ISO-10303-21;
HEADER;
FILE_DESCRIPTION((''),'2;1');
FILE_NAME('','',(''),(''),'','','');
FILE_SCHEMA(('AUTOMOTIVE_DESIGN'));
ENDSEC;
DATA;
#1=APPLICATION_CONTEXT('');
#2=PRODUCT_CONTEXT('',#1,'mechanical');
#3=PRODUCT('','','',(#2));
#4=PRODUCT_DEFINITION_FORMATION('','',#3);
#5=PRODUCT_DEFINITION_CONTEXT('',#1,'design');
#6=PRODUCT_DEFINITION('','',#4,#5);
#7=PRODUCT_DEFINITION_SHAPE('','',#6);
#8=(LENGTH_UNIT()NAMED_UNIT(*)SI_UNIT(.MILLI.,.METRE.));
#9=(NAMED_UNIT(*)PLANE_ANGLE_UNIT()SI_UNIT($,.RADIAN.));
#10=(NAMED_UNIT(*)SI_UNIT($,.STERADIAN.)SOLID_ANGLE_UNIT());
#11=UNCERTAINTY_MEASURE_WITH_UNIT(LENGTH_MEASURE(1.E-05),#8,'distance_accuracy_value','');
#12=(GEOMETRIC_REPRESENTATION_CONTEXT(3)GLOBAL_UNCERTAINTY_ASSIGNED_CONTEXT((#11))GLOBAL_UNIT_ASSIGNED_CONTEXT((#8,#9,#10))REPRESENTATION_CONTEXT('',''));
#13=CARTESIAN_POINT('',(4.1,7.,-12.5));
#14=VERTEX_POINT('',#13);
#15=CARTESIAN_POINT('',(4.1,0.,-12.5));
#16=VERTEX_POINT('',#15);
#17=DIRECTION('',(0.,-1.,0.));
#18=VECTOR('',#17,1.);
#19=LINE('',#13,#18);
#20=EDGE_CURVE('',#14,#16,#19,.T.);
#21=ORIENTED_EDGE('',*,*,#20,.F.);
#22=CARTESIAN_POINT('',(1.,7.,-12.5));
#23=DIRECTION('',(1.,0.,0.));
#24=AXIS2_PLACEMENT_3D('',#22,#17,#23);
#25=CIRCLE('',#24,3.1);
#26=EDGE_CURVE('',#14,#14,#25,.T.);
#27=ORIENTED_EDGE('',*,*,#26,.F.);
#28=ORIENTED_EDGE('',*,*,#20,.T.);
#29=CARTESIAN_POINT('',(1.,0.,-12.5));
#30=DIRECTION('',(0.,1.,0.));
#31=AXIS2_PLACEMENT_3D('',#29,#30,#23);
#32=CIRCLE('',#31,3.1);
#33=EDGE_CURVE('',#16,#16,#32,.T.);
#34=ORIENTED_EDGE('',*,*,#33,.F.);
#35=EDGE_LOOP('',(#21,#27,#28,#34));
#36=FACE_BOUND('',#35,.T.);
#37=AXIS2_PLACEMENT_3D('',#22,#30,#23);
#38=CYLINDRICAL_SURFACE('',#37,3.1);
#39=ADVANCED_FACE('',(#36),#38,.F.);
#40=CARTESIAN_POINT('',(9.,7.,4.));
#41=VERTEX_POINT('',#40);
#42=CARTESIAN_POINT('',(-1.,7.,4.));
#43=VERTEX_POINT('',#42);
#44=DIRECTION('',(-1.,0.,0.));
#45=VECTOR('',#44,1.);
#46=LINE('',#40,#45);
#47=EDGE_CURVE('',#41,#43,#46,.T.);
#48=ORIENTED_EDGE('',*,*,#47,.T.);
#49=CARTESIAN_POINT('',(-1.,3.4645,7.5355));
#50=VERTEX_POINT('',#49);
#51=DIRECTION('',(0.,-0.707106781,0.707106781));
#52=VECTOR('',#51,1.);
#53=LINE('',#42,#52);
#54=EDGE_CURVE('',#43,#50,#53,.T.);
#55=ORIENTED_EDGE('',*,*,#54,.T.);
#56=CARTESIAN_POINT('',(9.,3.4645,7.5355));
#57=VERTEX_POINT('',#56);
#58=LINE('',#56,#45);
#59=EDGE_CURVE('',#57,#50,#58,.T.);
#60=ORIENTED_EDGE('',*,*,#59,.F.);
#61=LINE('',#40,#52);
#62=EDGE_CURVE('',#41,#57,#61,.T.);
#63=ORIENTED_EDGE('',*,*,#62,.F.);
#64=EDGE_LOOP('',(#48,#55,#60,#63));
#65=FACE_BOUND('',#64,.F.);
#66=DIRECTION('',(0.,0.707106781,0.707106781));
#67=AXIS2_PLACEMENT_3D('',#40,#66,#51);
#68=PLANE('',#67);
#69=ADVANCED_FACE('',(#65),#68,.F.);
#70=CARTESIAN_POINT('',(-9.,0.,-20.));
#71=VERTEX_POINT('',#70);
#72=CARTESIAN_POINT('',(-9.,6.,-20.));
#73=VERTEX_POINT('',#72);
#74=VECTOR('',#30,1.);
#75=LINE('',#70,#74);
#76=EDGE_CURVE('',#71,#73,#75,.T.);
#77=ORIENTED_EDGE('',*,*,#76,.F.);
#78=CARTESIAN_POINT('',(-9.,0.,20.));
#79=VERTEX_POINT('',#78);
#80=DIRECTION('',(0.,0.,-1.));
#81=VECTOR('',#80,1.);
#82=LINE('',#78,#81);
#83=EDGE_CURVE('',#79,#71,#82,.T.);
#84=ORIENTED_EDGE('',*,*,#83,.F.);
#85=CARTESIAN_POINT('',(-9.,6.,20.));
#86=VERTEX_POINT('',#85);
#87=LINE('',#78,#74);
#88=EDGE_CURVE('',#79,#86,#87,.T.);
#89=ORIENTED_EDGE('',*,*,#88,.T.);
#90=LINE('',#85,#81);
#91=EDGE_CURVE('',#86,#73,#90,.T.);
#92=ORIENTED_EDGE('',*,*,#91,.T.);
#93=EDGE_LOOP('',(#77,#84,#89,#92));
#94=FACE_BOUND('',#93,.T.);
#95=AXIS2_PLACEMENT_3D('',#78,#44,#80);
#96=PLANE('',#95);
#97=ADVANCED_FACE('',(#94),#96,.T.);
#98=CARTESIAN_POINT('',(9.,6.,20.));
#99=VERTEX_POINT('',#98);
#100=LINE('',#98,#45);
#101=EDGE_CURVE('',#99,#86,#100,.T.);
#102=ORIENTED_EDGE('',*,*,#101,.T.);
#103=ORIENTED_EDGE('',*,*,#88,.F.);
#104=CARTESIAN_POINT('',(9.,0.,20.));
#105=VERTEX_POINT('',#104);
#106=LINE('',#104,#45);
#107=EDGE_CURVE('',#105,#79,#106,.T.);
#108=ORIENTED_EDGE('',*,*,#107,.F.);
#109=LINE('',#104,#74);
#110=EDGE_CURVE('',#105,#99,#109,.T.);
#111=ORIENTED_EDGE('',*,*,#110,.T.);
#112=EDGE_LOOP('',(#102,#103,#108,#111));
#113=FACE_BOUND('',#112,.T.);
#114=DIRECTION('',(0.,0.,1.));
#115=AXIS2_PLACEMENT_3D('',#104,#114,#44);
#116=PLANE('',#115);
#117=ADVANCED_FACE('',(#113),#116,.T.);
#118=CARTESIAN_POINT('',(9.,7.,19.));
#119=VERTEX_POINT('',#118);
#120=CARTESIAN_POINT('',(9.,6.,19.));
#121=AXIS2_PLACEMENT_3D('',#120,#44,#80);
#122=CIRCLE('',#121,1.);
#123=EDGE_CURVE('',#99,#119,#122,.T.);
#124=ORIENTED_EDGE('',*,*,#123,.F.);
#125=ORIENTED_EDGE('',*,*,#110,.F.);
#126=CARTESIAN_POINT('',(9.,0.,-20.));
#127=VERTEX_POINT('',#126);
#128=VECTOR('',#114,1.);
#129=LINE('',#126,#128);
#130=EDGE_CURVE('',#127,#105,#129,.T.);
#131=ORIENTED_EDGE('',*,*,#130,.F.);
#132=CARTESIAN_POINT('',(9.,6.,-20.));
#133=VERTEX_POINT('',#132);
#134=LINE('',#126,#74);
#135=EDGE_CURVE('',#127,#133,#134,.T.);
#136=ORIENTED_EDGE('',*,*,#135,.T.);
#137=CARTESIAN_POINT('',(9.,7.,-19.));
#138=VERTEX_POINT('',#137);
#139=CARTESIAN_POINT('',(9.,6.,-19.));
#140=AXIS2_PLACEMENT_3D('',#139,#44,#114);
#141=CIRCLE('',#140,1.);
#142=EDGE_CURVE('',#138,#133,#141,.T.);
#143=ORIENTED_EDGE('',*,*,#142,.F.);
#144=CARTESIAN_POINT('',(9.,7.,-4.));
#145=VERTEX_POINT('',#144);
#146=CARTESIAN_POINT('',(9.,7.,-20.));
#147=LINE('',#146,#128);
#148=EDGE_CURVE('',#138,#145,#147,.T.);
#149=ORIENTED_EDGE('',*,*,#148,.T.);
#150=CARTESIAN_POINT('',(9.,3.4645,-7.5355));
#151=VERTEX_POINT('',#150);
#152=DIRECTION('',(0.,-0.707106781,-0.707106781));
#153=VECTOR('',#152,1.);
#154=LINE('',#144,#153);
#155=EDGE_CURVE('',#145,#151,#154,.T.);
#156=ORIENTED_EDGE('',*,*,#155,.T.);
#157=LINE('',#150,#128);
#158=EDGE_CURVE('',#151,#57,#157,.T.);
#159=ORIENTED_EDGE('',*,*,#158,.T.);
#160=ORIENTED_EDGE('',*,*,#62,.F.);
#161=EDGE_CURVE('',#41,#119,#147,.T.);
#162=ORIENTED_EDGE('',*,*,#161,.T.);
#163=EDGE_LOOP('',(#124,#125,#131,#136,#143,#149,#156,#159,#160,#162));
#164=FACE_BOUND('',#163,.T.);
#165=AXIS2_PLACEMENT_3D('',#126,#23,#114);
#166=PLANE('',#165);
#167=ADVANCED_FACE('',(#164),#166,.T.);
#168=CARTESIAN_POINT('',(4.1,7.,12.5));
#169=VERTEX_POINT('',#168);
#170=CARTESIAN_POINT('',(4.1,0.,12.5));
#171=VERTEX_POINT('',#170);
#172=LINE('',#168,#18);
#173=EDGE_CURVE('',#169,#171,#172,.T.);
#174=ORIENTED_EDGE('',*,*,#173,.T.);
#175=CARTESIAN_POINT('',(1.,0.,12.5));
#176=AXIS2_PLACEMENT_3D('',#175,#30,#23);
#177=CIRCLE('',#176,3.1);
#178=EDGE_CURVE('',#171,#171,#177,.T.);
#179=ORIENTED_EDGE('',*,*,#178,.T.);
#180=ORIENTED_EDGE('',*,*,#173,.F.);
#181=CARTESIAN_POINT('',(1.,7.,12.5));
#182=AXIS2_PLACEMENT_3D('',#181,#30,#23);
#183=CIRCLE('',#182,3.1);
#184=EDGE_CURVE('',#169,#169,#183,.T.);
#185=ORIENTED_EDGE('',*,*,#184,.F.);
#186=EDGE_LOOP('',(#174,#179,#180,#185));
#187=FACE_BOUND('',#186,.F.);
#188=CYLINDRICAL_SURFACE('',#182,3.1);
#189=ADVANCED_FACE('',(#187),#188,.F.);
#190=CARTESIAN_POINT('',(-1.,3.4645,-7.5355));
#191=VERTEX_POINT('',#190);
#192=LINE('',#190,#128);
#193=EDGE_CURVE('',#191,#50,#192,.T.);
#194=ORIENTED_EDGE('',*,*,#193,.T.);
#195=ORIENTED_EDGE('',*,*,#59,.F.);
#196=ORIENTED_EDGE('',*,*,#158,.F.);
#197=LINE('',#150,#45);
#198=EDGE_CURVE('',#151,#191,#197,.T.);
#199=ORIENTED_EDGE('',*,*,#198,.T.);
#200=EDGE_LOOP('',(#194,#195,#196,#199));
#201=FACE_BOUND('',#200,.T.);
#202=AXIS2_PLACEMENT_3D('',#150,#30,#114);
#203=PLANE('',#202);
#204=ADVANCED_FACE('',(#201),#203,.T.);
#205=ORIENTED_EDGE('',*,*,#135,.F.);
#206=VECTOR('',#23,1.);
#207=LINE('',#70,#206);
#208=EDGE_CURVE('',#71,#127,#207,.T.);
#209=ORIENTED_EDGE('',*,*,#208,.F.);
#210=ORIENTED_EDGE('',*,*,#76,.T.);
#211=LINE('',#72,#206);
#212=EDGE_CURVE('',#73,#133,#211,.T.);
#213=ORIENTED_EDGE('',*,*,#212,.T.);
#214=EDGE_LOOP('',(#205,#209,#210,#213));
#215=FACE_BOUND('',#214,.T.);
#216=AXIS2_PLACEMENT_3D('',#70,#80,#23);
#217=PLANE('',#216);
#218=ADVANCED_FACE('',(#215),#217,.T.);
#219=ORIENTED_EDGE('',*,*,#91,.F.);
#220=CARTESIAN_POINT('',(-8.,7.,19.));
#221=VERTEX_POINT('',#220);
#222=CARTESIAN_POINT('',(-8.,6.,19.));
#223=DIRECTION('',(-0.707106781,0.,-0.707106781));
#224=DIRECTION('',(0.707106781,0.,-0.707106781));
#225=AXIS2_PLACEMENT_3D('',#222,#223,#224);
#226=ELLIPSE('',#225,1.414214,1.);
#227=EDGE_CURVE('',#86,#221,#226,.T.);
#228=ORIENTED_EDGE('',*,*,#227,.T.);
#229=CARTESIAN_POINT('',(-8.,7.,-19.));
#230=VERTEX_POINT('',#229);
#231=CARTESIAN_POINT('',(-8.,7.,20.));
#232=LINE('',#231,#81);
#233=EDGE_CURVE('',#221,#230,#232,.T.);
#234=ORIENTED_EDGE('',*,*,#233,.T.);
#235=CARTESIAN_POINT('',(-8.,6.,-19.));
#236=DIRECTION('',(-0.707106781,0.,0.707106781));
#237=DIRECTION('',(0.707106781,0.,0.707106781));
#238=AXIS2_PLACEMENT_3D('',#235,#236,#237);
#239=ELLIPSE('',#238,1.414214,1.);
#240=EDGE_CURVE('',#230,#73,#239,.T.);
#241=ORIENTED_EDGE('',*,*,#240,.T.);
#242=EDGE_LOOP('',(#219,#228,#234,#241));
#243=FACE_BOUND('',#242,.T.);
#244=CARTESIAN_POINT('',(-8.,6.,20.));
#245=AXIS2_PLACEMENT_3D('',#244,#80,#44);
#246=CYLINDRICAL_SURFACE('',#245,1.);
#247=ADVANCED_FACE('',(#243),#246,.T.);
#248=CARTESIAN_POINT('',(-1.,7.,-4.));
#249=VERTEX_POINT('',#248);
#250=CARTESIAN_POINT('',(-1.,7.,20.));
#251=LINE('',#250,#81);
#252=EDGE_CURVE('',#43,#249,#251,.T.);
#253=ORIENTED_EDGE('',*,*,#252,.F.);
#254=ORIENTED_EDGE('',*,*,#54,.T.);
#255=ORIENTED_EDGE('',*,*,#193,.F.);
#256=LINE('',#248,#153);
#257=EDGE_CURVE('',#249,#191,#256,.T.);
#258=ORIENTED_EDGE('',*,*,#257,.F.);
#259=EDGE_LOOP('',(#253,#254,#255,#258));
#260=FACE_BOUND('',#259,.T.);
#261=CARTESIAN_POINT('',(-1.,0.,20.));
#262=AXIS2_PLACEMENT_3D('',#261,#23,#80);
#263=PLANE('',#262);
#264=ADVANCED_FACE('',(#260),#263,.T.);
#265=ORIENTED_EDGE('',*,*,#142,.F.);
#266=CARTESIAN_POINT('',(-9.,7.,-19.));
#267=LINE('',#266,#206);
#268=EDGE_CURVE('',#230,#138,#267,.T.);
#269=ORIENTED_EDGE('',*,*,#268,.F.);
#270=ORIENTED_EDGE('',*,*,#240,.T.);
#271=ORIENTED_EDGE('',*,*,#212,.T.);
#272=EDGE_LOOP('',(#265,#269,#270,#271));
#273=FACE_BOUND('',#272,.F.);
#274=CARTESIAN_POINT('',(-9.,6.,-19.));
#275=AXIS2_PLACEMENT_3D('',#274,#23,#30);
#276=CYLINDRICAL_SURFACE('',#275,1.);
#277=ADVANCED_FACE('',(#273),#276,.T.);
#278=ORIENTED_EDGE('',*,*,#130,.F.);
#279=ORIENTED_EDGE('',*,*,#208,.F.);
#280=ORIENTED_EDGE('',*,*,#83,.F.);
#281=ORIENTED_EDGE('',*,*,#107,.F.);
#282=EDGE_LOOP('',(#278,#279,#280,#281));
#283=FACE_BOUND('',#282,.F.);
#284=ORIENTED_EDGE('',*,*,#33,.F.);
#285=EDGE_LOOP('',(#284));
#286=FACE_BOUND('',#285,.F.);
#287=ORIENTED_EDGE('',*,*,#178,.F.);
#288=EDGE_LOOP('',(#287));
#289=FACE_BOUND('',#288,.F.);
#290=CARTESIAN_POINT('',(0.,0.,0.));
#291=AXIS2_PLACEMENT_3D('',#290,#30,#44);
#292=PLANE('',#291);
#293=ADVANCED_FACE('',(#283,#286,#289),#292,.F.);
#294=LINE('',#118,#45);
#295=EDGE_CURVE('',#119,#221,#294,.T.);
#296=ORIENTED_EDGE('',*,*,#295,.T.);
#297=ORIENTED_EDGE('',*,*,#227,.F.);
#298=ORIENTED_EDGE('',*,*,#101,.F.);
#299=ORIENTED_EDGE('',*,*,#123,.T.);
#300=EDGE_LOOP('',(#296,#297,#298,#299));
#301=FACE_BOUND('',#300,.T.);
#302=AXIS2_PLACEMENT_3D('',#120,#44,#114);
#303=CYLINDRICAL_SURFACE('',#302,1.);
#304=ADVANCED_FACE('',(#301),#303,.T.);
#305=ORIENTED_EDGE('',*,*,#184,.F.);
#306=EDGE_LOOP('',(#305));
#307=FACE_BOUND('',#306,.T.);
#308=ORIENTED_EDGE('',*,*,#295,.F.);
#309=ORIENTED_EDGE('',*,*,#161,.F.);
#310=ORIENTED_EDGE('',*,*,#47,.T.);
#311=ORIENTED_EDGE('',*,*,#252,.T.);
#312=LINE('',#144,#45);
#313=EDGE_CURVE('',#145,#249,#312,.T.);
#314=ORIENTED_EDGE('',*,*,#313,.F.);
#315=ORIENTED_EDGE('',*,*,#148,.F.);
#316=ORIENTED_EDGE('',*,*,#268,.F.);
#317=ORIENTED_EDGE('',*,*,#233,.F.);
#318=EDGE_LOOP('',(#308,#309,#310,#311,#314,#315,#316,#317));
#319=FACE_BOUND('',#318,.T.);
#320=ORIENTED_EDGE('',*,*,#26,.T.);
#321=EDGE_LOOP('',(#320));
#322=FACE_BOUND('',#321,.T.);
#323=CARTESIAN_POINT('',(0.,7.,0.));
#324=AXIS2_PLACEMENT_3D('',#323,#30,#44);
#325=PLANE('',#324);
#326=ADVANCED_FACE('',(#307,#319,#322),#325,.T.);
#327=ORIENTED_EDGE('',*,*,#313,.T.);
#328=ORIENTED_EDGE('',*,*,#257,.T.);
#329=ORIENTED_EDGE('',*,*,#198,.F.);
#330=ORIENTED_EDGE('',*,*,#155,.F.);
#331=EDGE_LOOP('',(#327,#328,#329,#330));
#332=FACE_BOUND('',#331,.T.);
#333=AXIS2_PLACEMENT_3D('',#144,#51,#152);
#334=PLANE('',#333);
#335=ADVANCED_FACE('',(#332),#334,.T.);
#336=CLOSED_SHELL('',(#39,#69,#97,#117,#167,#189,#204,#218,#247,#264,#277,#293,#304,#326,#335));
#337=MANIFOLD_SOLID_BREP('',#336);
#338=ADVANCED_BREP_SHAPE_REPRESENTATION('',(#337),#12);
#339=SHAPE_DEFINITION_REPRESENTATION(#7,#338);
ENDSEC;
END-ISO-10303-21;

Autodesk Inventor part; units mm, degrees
ref_plane "YZ Plane" through (0, 0, 0) normal (1, 0, 0) x (0, 1, 0)
ref_plane "XZ Plane" through (0, 0, 0) normal (0, 1, 0) x (-1, 0, 0)
ref_plane "XY Plane" through (0, 0, 0) normal (0, 0, 1) x (1, 0, 0)
sketch "Sketch1" plane through (0, 0, 0) normal (0, 1, 0) x (-1, 0, 0)
  line L0 (-9, 20) -> (9, 20)
  line L1 (9, 20) -> (9, -20)
  line L2 (9, -20) -> (-9, -20)
  line L3 (-9, -20) -> (-9, 20)
  line L4 (-9, 20) -> (9, -20) construction
  line L5 (9, 20) -> (-9, -20) construction
  point P0 (0, 0)
  dimension "d0" = 18
  dimension "d1" = 40
extrude "Extrusion1" add sketch "Sketch1" along normal blind 7
sketch "Sketch2" plane through (0, 7, 0) normal (0, 1, 0) x (1, 0, 0)
  circle A0 centre (1, -12.5) radius 3.1
  line L0 (-9, -20) -> (9, -20) projected
  line L1 (9, -20) -> (9, 20) projected
  point P0 (0, 0)
  dimension "d4" = 6.2
  dimension "d5" = 7.5
  dimension "d6" = 8
extrude "Extrusion2" cut sketch "Sketch2" against normal through all
mirror "Mirror1" about plane through (0, 0, 0) normal (0, 0, 1) of "Extrusion2"
sketch "Sketch3" plane through (9, 0, 20) normal (1, 0, 0) x (0, 0, -1)
  line L0 (0, 7) -> (40, 7) projected
  line L1 (16, 7) -> (12.4645, 3.4645)
  line L2 (16, 7) -> (21, 7) construction
  line L3 (16, 7) -> (24, 7)
  line L4 (16, 7) -> (24, 7) construction
  line L5 (24, 7) -> (27.5355, 3.4645)
  line L6 (27.5355, 3.4645) -> (12.4645, 3.4645)
  point P0 (20, 0)
  dimension "d9" = 5
  dimension "d10" = 135
  dimension "d11" = 16
  dimension "d12" = 8
  dimension "d13" = 0
  dimension "d14" = 5
  dimension "d15" = 135
extrude "Extrusion3" cut sketch "Sketch3" against normal blind 10
fillet "Fillet1" radius 1 3 edges at (0, 7, -20) (-9, 7, 0) (0, 7, 20)
properties part number "Dovetail_holder_V2"
